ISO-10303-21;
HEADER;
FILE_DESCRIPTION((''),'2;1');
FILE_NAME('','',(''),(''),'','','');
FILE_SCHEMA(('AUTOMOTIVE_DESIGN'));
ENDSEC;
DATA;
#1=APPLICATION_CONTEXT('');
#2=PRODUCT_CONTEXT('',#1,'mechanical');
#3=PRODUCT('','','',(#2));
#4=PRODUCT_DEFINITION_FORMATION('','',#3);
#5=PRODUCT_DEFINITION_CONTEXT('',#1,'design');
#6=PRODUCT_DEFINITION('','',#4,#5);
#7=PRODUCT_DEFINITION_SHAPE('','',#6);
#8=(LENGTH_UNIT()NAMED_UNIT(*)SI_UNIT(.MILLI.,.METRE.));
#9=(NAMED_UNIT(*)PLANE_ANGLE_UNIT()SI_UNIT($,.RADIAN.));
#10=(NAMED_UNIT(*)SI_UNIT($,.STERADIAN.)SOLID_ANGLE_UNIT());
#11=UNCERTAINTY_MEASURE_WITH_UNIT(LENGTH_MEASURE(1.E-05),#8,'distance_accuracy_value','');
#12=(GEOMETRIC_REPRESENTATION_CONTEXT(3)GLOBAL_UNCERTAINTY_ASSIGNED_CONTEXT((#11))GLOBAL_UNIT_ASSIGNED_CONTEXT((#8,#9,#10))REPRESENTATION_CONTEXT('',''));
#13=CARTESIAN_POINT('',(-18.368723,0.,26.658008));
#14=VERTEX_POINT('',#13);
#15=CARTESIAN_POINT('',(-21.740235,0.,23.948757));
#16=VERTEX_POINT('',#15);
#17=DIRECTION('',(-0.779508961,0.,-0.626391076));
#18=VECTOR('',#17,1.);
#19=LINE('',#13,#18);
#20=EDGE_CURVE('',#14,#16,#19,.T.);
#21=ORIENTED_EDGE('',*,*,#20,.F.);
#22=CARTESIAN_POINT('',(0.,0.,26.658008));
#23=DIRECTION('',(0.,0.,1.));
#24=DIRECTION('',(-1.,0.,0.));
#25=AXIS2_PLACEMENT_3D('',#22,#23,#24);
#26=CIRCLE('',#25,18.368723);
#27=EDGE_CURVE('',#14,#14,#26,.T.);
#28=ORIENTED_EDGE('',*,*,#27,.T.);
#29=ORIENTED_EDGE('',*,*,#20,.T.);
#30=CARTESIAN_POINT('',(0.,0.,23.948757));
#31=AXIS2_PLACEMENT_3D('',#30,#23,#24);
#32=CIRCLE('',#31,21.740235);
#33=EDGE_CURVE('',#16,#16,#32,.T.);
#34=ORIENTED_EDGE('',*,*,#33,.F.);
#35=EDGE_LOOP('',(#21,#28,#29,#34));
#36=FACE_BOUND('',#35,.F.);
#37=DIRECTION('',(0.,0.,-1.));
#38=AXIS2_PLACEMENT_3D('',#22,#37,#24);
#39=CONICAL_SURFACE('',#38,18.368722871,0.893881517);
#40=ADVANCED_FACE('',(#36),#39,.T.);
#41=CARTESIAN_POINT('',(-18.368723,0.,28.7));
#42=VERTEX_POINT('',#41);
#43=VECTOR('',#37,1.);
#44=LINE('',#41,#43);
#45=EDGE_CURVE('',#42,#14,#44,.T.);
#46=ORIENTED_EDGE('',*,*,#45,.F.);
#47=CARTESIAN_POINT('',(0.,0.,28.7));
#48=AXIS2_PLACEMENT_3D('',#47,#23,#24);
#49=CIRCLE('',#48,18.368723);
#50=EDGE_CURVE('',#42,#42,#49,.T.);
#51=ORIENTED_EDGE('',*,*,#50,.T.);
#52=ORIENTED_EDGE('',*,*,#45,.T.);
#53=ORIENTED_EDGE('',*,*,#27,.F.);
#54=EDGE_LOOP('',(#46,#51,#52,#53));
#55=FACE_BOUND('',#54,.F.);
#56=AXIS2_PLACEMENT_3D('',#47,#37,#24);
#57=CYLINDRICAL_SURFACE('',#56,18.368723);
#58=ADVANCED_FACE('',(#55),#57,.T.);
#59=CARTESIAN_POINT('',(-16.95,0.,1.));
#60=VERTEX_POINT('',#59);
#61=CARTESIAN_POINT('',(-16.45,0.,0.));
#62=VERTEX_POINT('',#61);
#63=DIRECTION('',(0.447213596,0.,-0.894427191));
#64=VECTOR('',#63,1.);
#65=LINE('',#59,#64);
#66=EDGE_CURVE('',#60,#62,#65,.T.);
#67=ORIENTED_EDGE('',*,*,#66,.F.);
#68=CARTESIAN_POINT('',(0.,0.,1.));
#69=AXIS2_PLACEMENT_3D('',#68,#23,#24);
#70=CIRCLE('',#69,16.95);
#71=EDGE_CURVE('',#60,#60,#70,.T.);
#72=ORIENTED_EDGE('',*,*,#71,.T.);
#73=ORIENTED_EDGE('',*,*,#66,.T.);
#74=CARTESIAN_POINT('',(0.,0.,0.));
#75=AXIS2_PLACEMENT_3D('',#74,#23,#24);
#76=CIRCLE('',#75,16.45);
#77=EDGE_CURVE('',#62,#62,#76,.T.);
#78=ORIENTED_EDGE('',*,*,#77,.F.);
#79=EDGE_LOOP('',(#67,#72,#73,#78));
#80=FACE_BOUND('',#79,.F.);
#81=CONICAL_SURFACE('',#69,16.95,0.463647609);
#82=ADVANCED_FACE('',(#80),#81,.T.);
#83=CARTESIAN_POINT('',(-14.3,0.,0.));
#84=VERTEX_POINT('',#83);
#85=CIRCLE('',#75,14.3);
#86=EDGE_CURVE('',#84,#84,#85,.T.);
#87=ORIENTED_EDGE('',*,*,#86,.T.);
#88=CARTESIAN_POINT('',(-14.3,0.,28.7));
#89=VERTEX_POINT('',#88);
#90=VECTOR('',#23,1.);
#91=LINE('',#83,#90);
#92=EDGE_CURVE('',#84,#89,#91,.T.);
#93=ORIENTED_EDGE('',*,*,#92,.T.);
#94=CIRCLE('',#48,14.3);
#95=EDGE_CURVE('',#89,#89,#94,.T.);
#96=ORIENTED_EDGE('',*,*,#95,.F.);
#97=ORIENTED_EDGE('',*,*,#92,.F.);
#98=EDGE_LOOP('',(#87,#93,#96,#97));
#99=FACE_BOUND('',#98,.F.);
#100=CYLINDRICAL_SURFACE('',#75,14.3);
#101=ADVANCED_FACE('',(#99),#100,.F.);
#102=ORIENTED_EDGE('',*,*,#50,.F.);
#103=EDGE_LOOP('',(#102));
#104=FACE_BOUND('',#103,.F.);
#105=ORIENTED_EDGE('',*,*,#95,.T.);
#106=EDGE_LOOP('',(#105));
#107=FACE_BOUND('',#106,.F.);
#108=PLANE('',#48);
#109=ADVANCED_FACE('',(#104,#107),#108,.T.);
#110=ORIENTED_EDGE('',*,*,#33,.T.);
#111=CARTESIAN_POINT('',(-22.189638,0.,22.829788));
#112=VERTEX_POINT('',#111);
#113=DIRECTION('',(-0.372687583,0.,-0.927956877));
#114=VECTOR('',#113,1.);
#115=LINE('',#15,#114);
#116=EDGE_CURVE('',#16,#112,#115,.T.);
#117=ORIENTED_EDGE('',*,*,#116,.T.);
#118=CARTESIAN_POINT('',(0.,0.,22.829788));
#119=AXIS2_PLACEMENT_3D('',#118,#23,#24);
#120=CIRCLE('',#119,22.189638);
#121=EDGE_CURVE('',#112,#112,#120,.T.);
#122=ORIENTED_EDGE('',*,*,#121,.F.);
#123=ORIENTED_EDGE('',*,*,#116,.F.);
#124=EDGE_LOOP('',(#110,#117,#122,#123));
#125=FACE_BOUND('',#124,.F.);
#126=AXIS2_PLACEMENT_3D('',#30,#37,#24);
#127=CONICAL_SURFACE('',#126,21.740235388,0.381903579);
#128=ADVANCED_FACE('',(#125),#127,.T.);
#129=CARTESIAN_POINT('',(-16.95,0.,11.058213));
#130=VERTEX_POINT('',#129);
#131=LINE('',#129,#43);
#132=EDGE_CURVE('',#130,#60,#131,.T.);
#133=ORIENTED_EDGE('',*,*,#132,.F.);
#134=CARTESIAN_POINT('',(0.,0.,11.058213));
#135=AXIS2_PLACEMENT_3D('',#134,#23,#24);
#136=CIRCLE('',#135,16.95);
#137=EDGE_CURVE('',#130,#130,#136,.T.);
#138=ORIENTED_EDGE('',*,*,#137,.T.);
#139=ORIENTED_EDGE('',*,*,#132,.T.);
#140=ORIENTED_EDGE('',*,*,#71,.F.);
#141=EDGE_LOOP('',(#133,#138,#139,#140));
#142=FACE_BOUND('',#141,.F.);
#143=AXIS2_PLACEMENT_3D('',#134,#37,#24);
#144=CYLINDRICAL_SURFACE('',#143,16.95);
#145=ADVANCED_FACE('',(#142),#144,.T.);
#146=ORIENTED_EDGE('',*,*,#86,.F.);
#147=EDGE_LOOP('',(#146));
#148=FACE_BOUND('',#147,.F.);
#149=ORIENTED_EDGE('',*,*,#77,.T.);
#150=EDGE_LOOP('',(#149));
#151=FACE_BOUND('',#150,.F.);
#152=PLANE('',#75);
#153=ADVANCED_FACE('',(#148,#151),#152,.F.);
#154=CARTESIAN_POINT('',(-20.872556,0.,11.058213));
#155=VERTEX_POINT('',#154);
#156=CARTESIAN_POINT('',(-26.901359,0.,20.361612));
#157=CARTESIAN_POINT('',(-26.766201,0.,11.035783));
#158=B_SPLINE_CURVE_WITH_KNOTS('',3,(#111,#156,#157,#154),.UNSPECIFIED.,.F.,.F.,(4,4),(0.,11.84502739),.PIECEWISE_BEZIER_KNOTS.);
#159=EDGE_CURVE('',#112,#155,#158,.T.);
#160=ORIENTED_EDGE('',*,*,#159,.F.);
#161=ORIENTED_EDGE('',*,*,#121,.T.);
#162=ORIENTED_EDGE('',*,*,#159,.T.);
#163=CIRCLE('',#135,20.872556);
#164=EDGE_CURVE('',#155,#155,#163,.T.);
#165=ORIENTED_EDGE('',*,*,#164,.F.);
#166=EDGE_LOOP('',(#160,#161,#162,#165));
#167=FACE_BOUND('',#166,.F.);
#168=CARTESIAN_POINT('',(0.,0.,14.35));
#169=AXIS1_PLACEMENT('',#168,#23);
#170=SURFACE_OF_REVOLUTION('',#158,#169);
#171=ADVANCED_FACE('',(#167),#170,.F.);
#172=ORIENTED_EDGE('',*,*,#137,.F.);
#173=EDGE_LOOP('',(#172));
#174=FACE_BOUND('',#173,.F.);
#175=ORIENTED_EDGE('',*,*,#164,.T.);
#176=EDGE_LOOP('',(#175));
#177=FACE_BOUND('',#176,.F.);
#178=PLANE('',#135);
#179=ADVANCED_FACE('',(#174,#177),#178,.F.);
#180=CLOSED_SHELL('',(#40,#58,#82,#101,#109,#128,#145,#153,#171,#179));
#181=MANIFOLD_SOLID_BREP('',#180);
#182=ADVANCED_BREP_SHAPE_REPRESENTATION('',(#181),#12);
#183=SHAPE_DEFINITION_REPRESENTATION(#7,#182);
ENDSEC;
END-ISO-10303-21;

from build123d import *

# Parameters (mm, degrees)
F2_SIZE2 = 0.5
F2_SIZE  = 1


with BuildPart() as f1:
    # F0 (on Front) → F1 (revolve)
    with BuildSketch(Plane.XZ):
        with BuildLine():
            Line((-16.95, 11.0582131892), (-16.95, 0))
            Line((-16.95, 0), (-14.3, 0))
            Line((-14.3, 0), (-14.3, 28.7))
            Line((-14.3, 28.7), (-18.3687228709, 28.7))
            Line((-18.3687228709, 28.7), (-18.3687228709, 26.6580078751))
            Line((-18.3687228709, 26.6580078751), (-21.7402353883, 23.9487569779))
            Line((-21.7402353883, 23.9487569779), (-22.1896376461, 22.8297878057))
            add(Edge.make_bspline(
                [(-22.1896376461, 22.8297878057), (-26.9013587385, 20.3616116196), (-26.7662014812, 11.0357832164), (-20.8725556731, 11.0582131892)],
                knots=[0, 0, 0, 0, 11.8450273902, 11.8450273902, 11.8450273902, 11.8450273902], degree=3))
            Line((-20.8725556731, 11.0582131892), (-16.95, 11.0582131892))
        make_face()
    revolve(axis=Axis((0, 0, 14.35), (0, 0, 1)))

    # F2
    f2_edges = [f1.edges().sort_by_distance(p)[0] for p in [
        (16.95, 0, 0),
    ]]
    f2_side = f1.faces().sort_by_distance((16.95, 0, 5.529107))[0]
    chamfer(f2_edges, length=F2_SIZE, length2=F2_SIZE2, reference=f2_side)


solid = f1.part
